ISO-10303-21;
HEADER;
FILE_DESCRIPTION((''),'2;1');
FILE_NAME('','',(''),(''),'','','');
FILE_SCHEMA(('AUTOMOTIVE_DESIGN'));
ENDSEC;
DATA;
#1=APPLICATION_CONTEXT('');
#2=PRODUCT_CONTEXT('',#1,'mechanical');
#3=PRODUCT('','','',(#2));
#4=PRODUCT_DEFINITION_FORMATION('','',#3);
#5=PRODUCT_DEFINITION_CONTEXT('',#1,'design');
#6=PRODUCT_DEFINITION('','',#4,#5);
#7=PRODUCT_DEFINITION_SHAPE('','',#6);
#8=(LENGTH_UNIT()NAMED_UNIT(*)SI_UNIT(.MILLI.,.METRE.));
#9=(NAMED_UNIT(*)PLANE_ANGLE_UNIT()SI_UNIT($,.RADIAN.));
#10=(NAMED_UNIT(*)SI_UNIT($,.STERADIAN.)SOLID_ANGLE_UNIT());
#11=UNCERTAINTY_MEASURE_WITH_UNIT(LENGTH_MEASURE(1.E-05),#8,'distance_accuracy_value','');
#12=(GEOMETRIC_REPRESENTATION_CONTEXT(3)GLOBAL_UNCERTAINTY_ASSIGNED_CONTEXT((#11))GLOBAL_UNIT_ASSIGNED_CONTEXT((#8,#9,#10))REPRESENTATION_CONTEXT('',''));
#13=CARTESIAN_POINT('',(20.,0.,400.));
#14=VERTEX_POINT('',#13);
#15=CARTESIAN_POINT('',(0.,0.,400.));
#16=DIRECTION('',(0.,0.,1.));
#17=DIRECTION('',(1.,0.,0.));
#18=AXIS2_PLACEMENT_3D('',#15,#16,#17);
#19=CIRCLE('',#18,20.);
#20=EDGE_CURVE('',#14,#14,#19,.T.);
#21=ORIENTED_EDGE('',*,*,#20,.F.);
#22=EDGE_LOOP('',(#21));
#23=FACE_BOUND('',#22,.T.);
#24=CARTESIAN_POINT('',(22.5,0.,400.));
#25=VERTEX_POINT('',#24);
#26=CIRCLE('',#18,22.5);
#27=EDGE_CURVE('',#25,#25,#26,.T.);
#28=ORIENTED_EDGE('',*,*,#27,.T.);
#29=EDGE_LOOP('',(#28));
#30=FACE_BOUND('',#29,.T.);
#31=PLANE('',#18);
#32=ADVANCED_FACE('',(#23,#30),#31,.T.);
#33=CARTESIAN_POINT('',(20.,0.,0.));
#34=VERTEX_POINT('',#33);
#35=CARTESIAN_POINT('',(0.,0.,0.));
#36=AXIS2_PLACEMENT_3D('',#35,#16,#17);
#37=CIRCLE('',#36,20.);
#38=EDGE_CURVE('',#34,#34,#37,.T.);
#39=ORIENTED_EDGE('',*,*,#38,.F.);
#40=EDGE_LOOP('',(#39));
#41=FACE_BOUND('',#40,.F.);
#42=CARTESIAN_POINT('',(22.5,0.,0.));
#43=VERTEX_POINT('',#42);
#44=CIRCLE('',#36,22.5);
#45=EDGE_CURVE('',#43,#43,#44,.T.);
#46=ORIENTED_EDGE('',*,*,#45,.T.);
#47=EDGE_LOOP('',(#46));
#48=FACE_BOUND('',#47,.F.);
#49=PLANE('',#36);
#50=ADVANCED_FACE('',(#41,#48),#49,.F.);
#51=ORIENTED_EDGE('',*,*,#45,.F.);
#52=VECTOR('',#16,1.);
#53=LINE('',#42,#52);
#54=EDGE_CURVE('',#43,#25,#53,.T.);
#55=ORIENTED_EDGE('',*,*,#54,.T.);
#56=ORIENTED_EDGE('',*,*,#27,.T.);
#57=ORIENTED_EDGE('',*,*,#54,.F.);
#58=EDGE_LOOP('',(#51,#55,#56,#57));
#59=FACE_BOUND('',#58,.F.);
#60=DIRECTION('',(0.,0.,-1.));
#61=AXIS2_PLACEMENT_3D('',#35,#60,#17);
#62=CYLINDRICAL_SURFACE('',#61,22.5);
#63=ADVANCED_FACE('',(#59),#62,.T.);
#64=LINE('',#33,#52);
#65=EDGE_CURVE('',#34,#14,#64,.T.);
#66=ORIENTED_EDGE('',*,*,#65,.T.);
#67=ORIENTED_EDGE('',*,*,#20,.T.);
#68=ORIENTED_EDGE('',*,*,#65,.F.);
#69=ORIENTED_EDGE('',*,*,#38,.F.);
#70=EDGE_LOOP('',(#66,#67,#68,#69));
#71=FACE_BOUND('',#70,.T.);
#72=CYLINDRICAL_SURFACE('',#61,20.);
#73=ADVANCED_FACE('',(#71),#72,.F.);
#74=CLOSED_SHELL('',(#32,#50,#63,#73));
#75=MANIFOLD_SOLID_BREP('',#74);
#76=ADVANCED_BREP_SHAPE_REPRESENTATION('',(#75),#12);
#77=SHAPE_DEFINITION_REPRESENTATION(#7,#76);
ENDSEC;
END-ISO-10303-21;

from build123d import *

# Parameters (mm, degrees)
F0_R     = 22.5
F0_R_2   = 20
F1_DEPTH = 400


with BuildPart() as f1:
    # F0 (on Top) → F1 (new body)
    with BuildSketch(Plane.XY):
        Circle(F0_R)
        Circle(F0_R_2, mode=Mode.SUBTRACT)
    extrude(amount=F1_DEPTH)


solid = f1.part
